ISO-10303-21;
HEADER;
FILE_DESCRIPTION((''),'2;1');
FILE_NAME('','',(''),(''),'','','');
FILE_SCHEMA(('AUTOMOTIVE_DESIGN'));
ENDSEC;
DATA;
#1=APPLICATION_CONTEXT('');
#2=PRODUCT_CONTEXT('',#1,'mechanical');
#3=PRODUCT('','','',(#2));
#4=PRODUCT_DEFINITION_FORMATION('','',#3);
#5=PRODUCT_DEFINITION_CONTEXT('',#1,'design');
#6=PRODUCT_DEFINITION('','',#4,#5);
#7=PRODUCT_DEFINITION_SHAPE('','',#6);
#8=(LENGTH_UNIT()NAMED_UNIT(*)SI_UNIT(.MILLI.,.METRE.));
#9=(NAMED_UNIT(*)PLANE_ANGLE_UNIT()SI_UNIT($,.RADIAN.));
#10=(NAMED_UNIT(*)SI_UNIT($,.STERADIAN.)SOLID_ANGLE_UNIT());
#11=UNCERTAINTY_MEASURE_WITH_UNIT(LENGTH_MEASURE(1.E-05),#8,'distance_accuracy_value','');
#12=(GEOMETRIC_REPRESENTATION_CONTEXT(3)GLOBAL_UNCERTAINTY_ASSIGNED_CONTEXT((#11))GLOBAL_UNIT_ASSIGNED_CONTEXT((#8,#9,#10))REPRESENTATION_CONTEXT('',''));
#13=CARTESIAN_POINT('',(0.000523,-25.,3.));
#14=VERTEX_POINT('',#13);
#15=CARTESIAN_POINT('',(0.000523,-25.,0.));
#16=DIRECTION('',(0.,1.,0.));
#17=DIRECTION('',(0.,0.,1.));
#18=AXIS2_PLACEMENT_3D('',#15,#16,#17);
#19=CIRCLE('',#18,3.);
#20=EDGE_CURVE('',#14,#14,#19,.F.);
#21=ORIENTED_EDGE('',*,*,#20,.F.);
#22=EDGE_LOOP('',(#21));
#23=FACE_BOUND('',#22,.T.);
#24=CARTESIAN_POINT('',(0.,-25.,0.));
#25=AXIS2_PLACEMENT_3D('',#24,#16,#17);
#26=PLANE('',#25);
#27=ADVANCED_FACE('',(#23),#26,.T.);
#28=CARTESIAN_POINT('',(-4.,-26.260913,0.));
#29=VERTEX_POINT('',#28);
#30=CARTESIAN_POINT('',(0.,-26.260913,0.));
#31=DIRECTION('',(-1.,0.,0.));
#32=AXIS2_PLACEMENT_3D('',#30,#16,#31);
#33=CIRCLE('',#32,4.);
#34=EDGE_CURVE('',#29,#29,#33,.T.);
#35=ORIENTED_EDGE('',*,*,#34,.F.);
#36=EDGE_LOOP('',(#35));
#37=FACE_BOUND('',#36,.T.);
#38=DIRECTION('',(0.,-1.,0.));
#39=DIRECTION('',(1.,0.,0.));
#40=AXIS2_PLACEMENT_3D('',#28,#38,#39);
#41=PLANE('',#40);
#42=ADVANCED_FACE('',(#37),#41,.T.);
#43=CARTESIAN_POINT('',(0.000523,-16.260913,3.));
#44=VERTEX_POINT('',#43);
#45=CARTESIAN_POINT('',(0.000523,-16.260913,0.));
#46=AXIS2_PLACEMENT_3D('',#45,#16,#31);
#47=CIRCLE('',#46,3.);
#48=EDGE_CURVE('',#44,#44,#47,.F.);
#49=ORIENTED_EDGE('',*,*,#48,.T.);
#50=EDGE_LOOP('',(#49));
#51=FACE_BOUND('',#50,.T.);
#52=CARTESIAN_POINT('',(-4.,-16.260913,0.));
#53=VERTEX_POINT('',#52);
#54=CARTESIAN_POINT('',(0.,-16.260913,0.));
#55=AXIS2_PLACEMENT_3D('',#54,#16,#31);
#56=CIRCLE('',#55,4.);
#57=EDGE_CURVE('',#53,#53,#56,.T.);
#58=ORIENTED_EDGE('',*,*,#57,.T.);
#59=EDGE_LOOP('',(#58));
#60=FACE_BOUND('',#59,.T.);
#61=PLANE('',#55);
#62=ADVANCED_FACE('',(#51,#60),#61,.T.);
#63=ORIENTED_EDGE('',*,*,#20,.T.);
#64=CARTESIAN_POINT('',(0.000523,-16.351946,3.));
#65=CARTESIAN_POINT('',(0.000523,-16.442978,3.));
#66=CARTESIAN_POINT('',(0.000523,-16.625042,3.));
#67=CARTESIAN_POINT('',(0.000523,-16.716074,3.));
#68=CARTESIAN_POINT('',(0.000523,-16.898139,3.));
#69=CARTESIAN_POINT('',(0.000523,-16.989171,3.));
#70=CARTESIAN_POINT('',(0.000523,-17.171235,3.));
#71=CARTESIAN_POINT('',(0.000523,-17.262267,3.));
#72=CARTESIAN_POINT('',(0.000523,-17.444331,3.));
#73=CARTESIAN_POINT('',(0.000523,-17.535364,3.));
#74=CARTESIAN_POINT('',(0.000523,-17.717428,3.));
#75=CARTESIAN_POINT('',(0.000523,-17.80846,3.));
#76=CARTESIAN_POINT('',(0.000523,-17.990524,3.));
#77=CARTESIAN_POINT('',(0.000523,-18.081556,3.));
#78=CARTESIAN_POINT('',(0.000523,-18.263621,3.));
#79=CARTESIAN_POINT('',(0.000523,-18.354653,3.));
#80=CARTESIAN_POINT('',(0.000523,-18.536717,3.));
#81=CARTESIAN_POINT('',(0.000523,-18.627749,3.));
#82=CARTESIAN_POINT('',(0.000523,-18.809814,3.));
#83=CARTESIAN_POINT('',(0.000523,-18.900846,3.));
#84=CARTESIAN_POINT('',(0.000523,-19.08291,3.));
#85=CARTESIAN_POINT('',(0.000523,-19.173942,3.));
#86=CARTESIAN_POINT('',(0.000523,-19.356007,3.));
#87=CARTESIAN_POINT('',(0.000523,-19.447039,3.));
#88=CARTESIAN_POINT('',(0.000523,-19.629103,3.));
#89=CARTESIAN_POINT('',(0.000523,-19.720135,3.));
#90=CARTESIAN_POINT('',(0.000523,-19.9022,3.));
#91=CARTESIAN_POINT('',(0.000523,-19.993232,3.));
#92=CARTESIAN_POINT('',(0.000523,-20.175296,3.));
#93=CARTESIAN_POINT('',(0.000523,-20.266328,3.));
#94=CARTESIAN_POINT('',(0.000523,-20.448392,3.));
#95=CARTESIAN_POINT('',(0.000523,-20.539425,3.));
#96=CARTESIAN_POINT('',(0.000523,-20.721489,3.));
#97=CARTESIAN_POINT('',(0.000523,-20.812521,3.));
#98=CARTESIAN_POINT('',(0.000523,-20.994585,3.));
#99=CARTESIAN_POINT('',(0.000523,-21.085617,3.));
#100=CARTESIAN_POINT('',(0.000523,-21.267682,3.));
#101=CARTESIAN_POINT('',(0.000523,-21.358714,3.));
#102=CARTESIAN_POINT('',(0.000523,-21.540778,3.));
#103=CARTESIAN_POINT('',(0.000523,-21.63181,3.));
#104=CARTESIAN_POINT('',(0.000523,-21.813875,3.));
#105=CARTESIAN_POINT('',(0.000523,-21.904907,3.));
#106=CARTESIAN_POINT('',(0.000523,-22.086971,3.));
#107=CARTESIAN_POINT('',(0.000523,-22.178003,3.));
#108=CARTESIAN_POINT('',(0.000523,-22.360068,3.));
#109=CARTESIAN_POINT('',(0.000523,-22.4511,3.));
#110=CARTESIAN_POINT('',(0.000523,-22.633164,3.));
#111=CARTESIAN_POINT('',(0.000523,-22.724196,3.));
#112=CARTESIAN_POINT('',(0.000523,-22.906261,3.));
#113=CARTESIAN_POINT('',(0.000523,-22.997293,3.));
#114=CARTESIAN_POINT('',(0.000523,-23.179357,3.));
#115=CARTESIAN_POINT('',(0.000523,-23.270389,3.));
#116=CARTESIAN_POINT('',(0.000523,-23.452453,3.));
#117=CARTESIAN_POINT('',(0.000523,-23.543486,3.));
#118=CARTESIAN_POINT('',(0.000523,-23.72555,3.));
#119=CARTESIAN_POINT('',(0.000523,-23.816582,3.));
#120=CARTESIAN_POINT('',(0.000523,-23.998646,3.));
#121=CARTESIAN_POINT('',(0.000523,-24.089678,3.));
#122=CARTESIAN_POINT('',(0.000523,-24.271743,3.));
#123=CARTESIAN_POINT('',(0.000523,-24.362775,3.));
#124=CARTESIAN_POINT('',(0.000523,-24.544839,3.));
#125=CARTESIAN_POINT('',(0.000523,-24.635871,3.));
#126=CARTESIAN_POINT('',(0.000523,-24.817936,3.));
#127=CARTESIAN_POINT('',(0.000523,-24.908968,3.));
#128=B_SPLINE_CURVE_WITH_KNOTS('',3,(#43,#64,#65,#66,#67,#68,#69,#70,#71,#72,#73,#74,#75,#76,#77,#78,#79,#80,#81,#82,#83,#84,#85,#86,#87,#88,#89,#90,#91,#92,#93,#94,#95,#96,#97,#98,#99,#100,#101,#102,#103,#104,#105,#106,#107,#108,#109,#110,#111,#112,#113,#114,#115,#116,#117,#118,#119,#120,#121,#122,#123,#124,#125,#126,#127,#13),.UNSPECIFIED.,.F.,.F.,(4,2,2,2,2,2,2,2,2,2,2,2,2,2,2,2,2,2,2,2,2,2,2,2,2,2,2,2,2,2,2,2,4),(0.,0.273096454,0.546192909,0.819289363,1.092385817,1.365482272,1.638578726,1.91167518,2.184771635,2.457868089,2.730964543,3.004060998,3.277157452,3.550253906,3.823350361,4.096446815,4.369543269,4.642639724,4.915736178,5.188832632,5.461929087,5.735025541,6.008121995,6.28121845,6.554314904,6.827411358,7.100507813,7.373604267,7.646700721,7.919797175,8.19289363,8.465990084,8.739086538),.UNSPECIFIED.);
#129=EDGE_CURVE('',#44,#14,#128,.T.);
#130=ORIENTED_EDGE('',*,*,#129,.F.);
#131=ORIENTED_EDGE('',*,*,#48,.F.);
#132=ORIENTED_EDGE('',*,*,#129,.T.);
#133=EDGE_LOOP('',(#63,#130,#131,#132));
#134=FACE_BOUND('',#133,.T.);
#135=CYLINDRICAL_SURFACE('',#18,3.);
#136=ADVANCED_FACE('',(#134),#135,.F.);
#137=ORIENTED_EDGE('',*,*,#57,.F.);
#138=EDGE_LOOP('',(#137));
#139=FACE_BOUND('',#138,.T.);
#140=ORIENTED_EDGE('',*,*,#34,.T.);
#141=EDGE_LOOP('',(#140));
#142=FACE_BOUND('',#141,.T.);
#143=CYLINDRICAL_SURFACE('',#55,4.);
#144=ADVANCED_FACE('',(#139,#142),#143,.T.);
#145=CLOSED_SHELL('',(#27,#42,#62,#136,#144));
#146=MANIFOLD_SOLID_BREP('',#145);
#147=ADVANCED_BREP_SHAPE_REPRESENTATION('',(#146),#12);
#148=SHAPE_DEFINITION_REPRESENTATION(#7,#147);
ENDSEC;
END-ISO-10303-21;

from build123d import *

# Parameters (mm, degrees)
SKETCH_3_W          = 4
SKETCH_3_H          = 10
CUT_EXTRUDE_1_DEPTH = 25


with BuildPart() as part:
    # 草圖3 → 旋轉1 (revolve)
    with BuildSketch(Plane.XY):
        with Locations((-2, -21.260913462)):
            Rectangle(SKETCH_3_W, SKETCH_3_H)
    revolve(axis=Axis((0, -16.260913462, 0), (0, -1, 0)))

    # 草圖4 → 除料-伸長1 (cut)
    with BuildSketch(Plane(origin=(0, 0, 0), x_dir=(1, 0, 0), z_dir=(0, 1, 0))):
        with BuildLine():
            Line((3.000522643, 0), (0, 0))
            Line((0, 0), (-2.999477357, 0))
            ThreePointArc((-2.999477357, 0), (0.000522643, -3), (3.000522643, 0))
        make_face()
        with BuildLine():
            Line((-2.999477357, 0), (0, 0))
            Line((0, 0), (3.000522643, 0))
            ThreePointArc((3.000522643, 0), (0.000522643, 3), (-2.999477357, 0))
        make_face()
    extrude(amount=-CUT_EXTRUDE_1_DEPTH, mode=Mode.SUBTRACT)


solid = part.part
